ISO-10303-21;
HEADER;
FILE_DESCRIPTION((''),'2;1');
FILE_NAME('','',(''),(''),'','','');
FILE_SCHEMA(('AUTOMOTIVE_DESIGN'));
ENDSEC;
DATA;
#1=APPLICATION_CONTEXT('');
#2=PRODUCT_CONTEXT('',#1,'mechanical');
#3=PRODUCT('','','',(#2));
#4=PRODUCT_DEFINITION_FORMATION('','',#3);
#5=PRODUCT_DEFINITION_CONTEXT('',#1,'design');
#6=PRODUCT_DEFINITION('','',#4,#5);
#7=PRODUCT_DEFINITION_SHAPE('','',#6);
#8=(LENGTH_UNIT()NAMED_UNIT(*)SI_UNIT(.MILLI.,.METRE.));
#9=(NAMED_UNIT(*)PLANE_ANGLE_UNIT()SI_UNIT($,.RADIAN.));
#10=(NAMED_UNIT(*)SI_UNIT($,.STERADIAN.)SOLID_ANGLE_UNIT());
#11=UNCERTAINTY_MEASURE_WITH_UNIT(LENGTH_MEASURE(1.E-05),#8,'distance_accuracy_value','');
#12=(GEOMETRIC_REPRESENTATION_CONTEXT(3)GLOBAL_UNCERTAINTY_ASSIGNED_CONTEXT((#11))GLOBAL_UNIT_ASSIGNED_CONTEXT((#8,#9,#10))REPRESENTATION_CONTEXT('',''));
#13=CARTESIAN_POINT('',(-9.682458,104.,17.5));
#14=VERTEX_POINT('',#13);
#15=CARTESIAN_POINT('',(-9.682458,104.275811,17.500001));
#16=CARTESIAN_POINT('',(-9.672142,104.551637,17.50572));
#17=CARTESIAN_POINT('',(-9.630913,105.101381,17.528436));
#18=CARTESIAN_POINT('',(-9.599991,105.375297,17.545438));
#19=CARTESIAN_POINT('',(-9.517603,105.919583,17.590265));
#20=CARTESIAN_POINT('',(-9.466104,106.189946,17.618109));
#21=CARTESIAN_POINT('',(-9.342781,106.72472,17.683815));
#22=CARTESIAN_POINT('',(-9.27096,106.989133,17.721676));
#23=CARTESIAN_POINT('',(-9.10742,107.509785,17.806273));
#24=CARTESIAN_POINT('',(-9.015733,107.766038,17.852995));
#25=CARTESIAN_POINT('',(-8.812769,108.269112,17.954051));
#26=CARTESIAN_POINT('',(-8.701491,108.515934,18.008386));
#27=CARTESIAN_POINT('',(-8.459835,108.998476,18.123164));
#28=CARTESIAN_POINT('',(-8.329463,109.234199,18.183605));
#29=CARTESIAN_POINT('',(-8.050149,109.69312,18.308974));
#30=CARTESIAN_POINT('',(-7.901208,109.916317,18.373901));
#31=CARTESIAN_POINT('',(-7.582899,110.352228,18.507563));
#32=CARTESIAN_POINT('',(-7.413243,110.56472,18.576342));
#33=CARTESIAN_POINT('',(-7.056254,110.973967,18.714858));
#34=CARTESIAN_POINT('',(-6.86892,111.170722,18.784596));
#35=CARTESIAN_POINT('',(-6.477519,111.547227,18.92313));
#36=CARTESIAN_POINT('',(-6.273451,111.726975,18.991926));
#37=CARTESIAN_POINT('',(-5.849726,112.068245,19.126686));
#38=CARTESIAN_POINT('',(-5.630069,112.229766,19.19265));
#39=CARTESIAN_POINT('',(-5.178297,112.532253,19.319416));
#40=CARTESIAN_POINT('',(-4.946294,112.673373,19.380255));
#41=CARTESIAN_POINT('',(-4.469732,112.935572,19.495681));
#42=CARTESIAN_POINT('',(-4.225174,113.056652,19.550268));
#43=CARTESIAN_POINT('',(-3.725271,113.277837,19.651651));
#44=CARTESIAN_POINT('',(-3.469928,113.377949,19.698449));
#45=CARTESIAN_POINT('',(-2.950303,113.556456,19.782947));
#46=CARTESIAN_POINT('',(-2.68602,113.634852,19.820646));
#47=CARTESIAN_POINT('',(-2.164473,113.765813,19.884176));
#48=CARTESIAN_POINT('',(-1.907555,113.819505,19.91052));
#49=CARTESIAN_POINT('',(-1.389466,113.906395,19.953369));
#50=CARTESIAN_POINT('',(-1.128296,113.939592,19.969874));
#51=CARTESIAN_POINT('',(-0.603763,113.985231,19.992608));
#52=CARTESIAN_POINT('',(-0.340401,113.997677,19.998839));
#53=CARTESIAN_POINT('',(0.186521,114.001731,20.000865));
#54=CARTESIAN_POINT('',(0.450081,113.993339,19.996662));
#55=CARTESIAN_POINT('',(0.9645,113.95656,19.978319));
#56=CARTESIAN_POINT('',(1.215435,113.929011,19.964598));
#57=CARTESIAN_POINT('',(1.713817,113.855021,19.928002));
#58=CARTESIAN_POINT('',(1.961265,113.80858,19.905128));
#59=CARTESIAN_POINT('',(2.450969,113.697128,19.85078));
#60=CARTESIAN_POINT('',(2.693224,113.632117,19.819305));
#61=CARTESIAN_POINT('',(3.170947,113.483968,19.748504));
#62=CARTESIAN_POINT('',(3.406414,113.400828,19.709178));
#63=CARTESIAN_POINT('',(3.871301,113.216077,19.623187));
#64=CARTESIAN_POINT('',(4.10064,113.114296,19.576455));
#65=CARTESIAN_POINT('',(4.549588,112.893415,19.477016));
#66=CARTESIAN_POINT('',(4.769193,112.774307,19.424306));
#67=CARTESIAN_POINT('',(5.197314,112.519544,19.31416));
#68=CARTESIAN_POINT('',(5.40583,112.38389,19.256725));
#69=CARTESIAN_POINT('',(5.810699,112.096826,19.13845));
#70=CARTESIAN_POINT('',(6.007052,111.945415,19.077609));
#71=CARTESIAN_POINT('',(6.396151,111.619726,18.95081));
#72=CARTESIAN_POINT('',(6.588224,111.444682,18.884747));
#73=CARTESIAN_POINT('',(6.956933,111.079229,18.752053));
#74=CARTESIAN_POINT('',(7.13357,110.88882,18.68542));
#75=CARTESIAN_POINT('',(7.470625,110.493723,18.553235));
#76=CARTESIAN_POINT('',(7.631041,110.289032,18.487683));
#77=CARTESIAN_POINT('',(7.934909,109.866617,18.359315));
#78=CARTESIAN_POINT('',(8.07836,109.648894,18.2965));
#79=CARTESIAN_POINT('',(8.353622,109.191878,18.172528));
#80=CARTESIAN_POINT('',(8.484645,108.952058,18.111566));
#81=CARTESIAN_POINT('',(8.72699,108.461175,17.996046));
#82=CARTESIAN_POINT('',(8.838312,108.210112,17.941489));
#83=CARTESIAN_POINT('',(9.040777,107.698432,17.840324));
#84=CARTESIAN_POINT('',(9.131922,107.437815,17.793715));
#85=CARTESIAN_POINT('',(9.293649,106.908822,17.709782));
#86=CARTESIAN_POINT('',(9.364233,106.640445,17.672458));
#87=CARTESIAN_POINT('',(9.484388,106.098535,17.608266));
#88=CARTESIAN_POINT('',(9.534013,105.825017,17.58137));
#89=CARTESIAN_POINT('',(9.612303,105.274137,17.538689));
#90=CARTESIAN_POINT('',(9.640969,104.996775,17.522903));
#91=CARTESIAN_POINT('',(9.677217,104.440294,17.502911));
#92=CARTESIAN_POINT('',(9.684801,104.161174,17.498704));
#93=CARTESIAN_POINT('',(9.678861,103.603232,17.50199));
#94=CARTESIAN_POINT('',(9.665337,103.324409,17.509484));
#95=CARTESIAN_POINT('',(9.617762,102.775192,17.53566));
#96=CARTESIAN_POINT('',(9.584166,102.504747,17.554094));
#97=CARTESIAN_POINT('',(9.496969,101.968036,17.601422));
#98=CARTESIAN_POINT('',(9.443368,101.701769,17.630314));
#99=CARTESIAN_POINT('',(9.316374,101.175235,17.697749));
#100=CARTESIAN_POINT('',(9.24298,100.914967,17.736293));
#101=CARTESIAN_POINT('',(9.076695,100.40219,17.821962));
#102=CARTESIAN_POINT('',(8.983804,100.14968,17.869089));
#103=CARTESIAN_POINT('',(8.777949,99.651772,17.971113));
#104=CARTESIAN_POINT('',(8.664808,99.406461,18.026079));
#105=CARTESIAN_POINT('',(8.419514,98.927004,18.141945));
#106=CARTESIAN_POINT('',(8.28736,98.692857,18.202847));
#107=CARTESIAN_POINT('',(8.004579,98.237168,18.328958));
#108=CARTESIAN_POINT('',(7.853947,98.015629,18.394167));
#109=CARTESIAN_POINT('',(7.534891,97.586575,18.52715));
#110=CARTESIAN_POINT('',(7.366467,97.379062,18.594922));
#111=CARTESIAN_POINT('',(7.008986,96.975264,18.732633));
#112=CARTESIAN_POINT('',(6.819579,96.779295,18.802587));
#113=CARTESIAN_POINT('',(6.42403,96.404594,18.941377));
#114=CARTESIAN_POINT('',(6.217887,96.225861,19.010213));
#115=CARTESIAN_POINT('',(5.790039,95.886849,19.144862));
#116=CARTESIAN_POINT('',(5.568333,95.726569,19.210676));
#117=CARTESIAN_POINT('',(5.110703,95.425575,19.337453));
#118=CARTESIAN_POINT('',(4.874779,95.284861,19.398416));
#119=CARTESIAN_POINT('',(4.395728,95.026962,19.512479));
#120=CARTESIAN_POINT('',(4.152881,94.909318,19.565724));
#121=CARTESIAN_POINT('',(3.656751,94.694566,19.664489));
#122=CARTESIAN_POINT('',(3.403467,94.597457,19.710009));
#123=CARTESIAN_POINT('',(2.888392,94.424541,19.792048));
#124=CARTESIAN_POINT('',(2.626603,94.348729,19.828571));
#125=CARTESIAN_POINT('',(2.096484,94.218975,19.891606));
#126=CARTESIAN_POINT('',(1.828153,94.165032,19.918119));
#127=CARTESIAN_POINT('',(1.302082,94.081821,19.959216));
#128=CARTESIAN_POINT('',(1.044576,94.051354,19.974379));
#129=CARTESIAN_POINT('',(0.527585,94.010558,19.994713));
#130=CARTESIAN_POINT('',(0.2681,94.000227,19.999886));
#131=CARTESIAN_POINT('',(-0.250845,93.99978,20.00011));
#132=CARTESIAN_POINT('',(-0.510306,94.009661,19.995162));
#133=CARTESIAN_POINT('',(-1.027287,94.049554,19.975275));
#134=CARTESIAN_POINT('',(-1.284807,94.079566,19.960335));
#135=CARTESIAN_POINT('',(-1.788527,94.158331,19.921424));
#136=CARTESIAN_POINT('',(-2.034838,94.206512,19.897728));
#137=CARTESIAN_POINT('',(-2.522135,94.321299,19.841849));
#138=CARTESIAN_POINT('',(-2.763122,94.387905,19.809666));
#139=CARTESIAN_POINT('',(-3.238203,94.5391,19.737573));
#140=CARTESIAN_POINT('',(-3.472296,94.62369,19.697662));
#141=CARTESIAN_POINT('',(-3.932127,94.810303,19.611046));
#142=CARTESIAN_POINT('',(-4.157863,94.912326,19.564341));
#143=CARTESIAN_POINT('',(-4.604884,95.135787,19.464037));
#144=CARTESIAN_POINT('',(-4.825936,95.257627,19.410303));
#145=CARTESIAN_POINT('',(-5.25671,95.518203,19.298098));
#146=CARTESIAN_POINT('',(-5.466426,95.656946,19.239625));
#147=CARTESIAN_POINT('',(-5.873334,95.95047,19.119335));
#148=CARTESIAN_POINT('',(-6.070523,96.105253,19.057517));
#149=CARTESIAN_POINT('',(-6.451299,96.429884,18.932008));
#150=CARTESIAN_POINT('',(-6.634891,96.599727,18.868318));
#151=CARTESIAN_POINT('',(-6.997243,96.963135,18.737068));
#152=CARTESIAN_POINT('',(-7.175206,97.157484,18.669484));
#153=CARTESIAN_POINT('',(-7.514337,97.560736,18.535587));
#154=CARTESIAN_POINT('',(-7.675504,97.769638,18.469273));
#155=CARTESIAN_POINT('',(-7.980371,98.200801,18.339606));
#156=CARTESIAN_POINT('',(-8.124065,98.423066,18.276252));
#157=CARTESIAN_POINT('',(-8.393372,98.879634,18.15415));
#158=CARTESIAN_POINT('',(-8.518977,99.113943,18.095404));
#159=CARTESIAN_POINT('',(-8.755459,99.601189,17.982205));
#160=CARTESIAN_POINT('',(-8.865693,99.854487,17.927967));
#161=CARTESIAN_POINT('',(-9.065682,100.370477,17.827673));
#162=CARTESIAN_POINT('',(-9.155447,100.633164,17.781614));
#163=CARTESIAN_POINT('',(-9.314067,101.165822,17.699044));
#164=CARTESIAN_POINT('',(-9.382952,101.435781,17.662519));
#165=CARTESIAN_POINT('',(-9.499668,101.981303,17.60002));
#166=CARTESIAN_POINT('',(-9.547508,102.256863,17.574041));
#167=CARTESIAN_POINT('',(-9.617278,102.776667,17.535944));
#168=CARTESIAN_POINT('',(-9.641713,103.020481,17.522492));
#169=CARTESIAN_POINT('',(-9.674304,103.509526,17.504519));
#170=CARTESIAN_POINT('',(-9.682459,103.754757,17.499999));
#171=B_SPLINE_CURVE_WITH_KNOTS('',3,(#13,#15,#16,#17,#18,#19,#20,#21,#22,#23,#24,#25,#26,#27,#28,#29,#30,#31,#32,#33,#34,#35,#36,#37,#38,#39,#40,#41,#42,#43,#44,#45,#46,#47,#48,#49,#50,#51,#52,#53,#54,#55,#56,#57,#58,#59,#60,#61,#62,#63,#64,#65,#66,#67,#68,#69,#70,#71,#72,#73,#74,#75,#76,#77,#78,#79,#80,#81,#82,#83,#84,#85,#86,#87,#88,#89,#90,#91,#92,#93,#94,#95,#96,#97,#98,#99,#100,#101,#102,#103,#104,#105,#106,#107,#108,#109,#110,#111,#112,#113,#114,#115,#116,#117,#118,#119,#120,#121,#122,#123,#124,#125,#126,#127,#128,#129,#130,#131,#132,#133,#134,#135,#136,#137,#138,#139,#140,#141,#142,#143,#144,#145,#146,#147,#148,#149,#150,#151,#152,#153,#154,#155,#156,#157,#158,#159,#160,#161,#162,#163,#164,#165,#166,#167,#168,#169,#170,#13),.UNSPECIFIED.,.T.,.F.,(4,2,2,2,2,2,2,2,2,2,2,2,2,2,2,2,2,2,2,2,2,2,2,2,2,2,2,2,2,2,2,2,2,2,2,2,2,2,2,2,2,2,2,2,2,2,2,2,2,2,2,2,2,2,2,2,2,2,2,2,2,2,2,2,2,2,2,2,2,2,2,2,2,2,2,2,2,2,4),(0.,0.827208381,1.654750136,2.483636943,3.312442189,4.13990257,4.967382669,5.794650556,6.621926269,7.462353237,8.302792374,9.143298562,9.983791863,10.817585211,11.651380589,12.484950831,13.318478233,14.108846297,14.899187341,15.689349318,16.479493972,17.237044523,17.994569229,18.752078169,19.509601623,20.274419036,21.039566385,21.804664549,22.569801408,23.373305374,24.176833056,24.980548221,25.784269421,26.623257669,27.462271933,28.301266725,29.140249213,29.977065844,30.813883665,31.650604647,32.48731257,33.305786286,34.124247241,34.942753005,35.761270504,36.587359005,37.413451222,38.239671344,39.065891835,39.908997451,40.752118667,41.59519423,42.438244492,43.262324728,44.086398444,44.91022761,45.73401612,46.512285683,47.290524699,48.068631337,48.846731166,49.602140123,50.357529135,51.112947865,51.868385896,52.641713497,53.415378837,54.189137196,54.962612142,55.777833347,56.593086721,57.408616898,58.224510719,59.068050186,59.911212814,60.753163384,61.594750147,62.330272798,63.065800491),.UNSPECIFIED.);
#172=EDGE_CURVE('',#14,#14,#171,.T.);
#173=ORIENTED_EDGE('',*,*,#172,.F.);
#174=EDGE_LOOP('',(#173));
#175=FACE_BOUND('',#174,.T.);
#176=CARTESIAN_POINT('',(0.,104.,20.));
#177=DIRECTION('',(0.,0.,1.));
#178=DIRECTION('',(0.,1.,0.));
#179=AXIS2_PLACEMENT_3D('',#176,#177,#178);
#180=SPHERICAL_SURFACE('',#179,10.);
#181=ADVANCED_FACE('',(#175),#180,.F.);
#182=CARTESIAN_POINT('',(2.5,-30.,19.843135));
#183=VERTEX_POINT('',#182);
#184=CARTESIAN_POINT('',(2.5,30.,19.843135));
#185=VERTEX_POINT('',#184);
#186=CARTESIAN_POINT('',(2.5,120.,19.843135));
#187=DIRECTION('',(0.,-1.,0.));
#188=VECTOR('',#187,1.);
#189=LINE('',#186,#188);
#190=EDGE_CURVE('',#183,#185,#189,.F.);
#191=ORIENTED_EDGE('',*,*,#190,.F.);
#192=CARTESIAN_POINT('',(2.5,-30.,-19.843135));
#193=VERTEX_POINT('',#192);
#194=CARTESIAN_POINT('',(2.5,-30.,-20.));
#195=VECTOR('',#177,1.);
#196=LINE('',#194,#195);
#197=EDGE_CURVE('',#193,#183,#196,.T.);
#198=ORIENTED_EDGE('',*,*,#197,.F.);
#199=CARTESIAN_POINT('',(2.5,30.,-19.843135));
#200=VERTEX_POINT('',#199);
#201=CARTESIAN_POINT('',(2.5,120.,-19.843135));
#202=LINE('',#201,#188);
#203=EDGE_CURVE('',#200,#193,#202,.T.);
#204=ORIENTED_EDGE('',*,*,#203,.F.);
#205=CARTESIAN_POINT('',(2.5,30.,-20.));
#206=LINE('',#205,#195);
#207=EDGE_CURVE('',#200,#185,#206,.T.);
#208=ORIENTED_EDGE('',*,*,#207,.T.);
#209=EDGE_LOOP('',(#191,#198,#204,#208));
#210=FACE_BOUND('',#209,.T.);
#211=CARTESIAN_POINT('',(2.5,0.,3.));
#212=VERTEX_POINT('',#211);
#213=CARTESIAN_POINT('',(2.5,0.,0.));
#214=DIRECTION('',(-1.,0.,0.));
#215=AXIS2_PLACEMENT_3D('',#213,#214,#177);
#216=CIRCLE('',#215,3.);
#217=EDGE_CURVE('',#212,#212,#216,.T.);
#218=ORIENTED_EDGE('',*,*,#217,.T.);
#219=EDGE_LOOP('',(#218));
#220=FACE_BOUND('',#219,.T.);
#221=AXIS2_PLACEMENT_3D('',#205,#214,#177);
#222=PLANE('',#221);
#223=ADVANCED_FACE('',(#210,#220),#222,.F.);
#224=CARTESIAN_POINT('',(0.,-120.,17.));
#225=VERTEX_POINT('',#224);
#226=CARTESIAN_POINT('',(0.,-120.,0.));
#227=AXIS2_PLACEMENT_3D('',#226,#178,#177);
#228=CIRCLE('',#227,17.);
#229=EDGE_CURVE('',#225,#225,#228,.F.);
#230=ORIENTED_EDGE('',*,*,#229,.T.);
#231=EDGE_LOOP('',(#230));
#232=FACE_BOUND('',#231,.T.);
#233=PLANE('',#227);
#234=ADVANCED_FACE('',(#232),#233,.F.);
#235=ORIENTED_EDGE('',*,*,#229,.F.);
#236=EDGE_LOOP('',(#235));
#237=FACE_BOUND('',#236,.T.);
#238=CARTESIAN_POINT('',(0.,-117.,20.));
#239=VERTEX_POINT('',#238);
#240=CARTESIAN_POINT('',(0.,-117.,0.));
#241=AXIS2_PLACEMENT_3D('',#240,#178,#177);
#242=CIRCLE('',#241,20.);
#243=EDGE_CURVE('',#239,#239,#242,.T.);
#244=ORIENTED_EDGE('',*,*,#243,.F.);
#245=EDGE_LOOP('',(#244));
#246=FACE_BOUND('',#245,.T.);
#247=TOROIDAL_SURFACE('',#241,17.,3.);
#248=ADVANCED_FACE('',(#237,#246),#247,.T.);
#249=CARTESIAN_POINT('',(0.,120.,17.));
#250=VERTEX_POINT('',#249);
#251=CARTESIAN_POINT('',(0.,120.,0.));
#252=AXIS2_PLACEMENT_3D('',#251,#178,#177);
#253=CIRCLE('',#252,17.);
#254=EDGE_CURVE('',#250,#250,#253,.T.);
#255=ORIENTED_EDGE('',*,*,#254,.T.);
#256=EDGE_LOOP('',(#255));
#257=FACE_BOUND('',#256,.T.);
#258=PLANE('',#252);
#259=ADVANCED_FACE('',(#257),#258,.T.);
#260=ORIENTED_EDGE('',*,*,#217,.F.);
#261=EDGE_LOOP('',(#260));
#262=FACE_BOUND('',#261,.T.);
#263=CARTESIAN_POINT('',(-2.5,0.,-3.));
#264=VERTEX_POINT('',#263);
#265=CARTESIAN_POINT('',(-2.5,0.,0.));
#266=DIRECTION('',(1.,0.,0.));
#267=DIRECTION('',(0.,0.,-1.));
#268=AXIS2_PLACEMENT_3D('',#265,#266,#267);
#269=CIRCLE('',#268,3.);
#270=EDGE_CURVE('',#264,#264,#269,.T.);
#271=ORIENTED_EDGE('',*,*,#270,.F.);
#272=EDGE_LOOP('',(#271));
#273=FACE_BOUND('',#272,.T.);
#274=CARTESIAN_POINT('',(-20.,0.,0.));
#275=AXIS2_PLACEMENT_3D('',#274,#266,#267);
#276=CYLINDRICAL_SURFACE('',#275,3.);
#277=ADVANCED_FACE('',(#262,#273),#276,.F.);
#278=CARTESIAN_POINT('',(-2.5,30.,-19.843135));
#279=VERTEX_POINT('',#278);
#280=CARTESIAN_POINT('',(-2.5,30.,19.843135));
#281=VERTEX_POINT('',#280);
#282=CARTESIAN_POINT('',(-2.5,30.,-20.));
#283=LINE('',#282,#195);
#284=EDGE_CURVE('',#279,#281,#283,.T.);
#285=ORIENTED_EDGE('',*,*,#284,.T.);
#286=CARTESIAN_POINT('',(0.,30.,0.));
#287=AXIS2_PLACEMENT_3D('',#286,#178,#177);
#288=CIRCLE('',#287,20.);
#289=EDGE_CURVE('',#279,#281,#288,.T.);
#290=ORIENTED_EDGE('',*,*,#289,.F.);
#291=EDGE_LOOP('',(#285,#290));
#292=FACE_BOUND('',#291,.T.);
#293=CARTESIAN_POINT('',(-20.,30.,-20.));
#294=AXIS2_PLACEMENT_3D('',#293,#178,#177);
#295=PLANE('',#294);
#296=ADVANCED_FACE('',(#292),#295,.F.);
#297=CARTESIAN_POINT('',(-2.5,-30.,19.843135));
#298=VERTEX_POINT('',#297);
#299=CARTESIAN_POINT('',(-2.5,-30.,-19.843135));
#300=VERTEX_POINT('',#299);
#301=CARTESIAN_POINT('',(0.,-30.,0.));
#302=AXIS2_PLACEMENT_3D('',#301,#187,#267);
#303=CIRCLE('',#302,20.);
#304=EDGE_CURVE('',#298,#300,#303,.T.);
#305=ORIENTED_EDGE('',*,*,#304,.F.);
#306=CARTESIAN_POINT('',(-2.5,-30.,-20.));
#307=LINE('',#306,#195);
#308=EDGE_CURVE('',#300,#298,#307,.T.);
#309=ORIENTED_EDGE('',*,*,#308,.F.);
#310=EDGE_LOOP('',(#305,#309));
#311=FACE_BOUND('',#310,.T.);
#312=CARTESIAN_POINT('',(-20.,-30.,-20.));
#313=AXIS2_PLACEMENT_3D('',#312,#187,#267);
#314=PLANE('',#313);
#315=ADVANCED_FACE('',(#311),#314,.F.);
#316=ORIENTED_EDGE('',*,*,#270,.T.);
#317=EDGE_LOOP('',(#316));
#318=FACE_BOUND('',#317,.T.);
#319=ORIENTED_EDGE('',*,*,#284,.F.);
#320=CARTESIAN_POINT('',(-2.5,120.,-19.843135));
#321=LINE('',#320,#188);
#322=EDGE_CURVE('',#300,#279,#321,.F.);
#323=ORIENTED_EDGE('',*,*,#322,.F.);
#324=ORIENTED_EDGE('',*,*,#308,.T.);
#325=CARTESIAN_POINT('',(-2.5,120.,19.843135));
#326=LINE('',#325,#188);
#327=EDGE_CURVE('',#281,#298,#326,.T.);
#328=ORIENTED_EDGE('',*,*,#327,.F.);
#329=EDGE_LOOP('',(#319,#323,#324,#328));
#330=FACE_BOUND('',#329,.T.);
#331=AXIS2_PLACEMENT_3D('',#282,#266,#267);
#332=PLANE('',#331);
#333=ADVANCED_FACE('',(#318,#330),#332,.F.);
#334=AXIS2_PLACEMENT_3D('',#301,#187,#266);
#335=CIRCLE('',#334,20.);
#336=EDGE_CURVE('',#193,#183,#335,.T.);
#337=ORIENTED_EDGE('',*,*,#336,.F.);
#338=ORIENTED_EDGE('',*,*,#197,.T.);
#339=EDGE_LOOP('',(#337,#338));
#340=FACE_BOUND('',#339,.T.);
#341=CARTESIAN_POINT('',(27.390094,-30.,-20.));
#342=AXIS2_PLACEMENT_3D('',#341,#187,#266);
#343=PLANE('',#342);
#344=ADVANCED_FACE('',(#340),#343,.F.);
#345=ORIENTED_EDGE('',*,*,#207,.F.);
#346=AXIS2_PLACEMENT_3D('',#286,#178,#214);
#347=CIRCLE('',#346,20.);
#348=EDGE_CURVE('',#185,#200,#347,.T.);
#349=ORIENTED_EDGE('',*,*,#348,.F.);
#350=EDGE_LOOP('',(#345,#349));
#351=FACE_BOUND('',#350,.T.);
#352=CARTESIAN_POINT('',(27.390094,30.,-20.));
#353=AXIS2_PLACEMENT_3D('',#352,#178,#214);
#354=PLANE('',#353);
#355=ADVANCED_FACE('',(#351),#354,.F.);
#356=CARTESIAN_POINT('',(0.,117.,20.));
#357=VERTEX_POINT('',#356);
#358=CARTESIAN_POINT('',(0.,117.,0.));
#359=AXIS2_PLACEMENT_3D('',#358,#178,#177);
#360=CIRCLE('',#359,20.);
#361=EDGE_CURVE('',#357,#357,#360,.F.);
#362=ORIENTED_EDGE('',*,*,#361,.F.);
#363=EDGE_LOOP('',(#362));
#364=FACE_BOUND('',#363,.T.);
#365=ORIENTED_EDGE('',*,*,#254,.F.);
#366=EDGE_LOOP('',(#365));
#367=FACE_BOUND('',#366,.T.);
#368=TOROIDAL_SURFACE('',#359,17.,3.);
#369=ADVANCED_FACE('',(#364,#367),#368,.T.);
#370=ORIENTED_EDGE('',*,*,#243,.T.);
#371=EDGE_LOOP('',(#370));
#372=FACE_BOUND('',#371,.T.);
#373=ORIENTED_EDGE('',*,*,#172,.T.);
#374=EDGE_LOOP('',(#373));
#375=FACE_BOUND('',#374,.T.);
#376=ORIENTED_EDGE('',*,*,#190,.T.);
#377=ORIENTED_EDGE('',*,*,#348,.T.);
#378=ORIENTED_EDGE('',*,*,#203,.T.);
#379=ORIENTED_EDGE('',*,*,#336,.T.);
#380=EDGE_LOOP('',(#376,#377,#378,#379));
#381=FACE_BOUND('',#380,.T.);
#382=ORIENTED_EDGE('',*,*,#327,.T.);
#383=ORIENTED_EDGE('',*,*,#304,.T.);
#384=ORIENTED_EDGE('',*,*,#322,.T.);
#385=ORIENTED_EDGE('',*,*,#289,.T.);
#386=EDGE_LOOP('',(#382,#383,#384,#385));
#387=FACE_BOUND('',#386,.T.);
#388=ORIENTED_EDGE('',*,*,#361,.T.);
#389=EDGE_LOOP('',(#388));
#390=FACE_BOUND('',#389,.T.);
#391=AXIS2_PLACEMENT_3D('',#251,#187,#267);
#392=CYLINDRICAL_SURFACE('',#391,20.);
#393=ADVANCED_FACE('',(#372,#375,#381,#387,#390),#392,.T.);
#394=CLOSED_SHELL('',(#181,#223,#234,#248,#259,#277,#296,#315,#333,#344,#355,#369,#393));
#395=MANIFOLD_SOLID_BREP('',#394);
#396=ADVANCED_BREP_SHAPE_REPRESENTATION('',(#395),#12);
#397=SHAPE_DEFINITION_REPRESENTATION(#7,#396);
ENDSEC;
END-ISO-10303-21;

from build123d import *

# Parameters (mm, degrees)
SKETCH1_R               = 20
BOSS_EXTRUDE1_DEPTH     = 120
CUT_EXTRUDE5_DEPTH      = 124.288280059
CUT_EXTRUDE5_DEPTH_BACK = 124.288280059
SKETCH2_W               = 17.5
SKETCH2_H               = 60
SKETCH2_W_2             = 24.890093951
CUT_EXTRUDE7_DEPTH      = 124.718430317
CUT_EXTRUDE7_DEPTH_BACK = 124.718430317
SKETCH6_R               = 3
FILLET1_R               = 3


with BuildPart() as part:
    # Sketch1 → Boss-Extrude1 (new, symmetric)
    with BuildSketch(Plane(origin=(0, 0, 0), x_dir=(1, 0, 0), z_dir=(0, 1, 0))):
        with Locations(Location((0, 0, 0), (0, 0, 270))):
            Circle(SKETCH1_R)
    extrude(amount=BOSS_EXTRUDE1_DEPTH, both=True)

    # Sketch2 → Cut-Extrude5 (cut, two sides: drawn at the far end of the back side and taken through both)
    with BuildSketch(Plane.XY.offset(-CUT_EXTRUDE5_DEPTH_BACK)):
        with Locations((-11.25, 0)):
            Rectangle(SKETCH2_W, SKETCH2_H)
        with Locations((14.945046976, 0)):
            Rectangle(SKETCH2_W_2, SKETCH2_H)
    extrude(amount=CUT_EXTRUDE5_DEPTH + CUT_EXTRUDE5_DEPTH_BACK, mode=Mode.SUBTRACT)

    # Sketch6 → Cut-Extrude7 (cut, two sides: drawn at the far end of the back side and taken through both)
    with BuildSketch(Plane(origin=(2.5, 0, 0), x_dir=(0, 0, -1), z_dir=(1, 0, 0)).offset(-CUT_EXTRUDE7_DEPTH_BACK)):
        Circle(SKETCH6_R)
    extrude(amount=CUT_EXTRUDE7_DEPTH + CUT_EXTRUDE7_DEPTH_BACK, mode=Mode.SUBTRACT)

    # Sketch7 → Cut-Revolve1 (revolve, cut)
    with BuildSketch(Plane(origin=(0, 0, 0), x_dir=(0, 0, -1), z_dir=(1, 0, 0))):
        with BuildLine():
            Line((-30, 104), (-10, 104))
            ThreePointArc((-10, 104), (-20, 94), (-30, 104))
        make_face()
    revolve(axis=Axis((0, 104, 30), (0, 0, -1)), mode=Mode.SUBTRACT)

    # Fillet1
    fillet1_edges = [part.edges().sort_by_distance(p)[0] for p in [
        (0, -120, -20),
        (0, 120, -20),
    ]]
    fillet(fillet1_edges, radius=FILLET1_R)


solid = part.part
